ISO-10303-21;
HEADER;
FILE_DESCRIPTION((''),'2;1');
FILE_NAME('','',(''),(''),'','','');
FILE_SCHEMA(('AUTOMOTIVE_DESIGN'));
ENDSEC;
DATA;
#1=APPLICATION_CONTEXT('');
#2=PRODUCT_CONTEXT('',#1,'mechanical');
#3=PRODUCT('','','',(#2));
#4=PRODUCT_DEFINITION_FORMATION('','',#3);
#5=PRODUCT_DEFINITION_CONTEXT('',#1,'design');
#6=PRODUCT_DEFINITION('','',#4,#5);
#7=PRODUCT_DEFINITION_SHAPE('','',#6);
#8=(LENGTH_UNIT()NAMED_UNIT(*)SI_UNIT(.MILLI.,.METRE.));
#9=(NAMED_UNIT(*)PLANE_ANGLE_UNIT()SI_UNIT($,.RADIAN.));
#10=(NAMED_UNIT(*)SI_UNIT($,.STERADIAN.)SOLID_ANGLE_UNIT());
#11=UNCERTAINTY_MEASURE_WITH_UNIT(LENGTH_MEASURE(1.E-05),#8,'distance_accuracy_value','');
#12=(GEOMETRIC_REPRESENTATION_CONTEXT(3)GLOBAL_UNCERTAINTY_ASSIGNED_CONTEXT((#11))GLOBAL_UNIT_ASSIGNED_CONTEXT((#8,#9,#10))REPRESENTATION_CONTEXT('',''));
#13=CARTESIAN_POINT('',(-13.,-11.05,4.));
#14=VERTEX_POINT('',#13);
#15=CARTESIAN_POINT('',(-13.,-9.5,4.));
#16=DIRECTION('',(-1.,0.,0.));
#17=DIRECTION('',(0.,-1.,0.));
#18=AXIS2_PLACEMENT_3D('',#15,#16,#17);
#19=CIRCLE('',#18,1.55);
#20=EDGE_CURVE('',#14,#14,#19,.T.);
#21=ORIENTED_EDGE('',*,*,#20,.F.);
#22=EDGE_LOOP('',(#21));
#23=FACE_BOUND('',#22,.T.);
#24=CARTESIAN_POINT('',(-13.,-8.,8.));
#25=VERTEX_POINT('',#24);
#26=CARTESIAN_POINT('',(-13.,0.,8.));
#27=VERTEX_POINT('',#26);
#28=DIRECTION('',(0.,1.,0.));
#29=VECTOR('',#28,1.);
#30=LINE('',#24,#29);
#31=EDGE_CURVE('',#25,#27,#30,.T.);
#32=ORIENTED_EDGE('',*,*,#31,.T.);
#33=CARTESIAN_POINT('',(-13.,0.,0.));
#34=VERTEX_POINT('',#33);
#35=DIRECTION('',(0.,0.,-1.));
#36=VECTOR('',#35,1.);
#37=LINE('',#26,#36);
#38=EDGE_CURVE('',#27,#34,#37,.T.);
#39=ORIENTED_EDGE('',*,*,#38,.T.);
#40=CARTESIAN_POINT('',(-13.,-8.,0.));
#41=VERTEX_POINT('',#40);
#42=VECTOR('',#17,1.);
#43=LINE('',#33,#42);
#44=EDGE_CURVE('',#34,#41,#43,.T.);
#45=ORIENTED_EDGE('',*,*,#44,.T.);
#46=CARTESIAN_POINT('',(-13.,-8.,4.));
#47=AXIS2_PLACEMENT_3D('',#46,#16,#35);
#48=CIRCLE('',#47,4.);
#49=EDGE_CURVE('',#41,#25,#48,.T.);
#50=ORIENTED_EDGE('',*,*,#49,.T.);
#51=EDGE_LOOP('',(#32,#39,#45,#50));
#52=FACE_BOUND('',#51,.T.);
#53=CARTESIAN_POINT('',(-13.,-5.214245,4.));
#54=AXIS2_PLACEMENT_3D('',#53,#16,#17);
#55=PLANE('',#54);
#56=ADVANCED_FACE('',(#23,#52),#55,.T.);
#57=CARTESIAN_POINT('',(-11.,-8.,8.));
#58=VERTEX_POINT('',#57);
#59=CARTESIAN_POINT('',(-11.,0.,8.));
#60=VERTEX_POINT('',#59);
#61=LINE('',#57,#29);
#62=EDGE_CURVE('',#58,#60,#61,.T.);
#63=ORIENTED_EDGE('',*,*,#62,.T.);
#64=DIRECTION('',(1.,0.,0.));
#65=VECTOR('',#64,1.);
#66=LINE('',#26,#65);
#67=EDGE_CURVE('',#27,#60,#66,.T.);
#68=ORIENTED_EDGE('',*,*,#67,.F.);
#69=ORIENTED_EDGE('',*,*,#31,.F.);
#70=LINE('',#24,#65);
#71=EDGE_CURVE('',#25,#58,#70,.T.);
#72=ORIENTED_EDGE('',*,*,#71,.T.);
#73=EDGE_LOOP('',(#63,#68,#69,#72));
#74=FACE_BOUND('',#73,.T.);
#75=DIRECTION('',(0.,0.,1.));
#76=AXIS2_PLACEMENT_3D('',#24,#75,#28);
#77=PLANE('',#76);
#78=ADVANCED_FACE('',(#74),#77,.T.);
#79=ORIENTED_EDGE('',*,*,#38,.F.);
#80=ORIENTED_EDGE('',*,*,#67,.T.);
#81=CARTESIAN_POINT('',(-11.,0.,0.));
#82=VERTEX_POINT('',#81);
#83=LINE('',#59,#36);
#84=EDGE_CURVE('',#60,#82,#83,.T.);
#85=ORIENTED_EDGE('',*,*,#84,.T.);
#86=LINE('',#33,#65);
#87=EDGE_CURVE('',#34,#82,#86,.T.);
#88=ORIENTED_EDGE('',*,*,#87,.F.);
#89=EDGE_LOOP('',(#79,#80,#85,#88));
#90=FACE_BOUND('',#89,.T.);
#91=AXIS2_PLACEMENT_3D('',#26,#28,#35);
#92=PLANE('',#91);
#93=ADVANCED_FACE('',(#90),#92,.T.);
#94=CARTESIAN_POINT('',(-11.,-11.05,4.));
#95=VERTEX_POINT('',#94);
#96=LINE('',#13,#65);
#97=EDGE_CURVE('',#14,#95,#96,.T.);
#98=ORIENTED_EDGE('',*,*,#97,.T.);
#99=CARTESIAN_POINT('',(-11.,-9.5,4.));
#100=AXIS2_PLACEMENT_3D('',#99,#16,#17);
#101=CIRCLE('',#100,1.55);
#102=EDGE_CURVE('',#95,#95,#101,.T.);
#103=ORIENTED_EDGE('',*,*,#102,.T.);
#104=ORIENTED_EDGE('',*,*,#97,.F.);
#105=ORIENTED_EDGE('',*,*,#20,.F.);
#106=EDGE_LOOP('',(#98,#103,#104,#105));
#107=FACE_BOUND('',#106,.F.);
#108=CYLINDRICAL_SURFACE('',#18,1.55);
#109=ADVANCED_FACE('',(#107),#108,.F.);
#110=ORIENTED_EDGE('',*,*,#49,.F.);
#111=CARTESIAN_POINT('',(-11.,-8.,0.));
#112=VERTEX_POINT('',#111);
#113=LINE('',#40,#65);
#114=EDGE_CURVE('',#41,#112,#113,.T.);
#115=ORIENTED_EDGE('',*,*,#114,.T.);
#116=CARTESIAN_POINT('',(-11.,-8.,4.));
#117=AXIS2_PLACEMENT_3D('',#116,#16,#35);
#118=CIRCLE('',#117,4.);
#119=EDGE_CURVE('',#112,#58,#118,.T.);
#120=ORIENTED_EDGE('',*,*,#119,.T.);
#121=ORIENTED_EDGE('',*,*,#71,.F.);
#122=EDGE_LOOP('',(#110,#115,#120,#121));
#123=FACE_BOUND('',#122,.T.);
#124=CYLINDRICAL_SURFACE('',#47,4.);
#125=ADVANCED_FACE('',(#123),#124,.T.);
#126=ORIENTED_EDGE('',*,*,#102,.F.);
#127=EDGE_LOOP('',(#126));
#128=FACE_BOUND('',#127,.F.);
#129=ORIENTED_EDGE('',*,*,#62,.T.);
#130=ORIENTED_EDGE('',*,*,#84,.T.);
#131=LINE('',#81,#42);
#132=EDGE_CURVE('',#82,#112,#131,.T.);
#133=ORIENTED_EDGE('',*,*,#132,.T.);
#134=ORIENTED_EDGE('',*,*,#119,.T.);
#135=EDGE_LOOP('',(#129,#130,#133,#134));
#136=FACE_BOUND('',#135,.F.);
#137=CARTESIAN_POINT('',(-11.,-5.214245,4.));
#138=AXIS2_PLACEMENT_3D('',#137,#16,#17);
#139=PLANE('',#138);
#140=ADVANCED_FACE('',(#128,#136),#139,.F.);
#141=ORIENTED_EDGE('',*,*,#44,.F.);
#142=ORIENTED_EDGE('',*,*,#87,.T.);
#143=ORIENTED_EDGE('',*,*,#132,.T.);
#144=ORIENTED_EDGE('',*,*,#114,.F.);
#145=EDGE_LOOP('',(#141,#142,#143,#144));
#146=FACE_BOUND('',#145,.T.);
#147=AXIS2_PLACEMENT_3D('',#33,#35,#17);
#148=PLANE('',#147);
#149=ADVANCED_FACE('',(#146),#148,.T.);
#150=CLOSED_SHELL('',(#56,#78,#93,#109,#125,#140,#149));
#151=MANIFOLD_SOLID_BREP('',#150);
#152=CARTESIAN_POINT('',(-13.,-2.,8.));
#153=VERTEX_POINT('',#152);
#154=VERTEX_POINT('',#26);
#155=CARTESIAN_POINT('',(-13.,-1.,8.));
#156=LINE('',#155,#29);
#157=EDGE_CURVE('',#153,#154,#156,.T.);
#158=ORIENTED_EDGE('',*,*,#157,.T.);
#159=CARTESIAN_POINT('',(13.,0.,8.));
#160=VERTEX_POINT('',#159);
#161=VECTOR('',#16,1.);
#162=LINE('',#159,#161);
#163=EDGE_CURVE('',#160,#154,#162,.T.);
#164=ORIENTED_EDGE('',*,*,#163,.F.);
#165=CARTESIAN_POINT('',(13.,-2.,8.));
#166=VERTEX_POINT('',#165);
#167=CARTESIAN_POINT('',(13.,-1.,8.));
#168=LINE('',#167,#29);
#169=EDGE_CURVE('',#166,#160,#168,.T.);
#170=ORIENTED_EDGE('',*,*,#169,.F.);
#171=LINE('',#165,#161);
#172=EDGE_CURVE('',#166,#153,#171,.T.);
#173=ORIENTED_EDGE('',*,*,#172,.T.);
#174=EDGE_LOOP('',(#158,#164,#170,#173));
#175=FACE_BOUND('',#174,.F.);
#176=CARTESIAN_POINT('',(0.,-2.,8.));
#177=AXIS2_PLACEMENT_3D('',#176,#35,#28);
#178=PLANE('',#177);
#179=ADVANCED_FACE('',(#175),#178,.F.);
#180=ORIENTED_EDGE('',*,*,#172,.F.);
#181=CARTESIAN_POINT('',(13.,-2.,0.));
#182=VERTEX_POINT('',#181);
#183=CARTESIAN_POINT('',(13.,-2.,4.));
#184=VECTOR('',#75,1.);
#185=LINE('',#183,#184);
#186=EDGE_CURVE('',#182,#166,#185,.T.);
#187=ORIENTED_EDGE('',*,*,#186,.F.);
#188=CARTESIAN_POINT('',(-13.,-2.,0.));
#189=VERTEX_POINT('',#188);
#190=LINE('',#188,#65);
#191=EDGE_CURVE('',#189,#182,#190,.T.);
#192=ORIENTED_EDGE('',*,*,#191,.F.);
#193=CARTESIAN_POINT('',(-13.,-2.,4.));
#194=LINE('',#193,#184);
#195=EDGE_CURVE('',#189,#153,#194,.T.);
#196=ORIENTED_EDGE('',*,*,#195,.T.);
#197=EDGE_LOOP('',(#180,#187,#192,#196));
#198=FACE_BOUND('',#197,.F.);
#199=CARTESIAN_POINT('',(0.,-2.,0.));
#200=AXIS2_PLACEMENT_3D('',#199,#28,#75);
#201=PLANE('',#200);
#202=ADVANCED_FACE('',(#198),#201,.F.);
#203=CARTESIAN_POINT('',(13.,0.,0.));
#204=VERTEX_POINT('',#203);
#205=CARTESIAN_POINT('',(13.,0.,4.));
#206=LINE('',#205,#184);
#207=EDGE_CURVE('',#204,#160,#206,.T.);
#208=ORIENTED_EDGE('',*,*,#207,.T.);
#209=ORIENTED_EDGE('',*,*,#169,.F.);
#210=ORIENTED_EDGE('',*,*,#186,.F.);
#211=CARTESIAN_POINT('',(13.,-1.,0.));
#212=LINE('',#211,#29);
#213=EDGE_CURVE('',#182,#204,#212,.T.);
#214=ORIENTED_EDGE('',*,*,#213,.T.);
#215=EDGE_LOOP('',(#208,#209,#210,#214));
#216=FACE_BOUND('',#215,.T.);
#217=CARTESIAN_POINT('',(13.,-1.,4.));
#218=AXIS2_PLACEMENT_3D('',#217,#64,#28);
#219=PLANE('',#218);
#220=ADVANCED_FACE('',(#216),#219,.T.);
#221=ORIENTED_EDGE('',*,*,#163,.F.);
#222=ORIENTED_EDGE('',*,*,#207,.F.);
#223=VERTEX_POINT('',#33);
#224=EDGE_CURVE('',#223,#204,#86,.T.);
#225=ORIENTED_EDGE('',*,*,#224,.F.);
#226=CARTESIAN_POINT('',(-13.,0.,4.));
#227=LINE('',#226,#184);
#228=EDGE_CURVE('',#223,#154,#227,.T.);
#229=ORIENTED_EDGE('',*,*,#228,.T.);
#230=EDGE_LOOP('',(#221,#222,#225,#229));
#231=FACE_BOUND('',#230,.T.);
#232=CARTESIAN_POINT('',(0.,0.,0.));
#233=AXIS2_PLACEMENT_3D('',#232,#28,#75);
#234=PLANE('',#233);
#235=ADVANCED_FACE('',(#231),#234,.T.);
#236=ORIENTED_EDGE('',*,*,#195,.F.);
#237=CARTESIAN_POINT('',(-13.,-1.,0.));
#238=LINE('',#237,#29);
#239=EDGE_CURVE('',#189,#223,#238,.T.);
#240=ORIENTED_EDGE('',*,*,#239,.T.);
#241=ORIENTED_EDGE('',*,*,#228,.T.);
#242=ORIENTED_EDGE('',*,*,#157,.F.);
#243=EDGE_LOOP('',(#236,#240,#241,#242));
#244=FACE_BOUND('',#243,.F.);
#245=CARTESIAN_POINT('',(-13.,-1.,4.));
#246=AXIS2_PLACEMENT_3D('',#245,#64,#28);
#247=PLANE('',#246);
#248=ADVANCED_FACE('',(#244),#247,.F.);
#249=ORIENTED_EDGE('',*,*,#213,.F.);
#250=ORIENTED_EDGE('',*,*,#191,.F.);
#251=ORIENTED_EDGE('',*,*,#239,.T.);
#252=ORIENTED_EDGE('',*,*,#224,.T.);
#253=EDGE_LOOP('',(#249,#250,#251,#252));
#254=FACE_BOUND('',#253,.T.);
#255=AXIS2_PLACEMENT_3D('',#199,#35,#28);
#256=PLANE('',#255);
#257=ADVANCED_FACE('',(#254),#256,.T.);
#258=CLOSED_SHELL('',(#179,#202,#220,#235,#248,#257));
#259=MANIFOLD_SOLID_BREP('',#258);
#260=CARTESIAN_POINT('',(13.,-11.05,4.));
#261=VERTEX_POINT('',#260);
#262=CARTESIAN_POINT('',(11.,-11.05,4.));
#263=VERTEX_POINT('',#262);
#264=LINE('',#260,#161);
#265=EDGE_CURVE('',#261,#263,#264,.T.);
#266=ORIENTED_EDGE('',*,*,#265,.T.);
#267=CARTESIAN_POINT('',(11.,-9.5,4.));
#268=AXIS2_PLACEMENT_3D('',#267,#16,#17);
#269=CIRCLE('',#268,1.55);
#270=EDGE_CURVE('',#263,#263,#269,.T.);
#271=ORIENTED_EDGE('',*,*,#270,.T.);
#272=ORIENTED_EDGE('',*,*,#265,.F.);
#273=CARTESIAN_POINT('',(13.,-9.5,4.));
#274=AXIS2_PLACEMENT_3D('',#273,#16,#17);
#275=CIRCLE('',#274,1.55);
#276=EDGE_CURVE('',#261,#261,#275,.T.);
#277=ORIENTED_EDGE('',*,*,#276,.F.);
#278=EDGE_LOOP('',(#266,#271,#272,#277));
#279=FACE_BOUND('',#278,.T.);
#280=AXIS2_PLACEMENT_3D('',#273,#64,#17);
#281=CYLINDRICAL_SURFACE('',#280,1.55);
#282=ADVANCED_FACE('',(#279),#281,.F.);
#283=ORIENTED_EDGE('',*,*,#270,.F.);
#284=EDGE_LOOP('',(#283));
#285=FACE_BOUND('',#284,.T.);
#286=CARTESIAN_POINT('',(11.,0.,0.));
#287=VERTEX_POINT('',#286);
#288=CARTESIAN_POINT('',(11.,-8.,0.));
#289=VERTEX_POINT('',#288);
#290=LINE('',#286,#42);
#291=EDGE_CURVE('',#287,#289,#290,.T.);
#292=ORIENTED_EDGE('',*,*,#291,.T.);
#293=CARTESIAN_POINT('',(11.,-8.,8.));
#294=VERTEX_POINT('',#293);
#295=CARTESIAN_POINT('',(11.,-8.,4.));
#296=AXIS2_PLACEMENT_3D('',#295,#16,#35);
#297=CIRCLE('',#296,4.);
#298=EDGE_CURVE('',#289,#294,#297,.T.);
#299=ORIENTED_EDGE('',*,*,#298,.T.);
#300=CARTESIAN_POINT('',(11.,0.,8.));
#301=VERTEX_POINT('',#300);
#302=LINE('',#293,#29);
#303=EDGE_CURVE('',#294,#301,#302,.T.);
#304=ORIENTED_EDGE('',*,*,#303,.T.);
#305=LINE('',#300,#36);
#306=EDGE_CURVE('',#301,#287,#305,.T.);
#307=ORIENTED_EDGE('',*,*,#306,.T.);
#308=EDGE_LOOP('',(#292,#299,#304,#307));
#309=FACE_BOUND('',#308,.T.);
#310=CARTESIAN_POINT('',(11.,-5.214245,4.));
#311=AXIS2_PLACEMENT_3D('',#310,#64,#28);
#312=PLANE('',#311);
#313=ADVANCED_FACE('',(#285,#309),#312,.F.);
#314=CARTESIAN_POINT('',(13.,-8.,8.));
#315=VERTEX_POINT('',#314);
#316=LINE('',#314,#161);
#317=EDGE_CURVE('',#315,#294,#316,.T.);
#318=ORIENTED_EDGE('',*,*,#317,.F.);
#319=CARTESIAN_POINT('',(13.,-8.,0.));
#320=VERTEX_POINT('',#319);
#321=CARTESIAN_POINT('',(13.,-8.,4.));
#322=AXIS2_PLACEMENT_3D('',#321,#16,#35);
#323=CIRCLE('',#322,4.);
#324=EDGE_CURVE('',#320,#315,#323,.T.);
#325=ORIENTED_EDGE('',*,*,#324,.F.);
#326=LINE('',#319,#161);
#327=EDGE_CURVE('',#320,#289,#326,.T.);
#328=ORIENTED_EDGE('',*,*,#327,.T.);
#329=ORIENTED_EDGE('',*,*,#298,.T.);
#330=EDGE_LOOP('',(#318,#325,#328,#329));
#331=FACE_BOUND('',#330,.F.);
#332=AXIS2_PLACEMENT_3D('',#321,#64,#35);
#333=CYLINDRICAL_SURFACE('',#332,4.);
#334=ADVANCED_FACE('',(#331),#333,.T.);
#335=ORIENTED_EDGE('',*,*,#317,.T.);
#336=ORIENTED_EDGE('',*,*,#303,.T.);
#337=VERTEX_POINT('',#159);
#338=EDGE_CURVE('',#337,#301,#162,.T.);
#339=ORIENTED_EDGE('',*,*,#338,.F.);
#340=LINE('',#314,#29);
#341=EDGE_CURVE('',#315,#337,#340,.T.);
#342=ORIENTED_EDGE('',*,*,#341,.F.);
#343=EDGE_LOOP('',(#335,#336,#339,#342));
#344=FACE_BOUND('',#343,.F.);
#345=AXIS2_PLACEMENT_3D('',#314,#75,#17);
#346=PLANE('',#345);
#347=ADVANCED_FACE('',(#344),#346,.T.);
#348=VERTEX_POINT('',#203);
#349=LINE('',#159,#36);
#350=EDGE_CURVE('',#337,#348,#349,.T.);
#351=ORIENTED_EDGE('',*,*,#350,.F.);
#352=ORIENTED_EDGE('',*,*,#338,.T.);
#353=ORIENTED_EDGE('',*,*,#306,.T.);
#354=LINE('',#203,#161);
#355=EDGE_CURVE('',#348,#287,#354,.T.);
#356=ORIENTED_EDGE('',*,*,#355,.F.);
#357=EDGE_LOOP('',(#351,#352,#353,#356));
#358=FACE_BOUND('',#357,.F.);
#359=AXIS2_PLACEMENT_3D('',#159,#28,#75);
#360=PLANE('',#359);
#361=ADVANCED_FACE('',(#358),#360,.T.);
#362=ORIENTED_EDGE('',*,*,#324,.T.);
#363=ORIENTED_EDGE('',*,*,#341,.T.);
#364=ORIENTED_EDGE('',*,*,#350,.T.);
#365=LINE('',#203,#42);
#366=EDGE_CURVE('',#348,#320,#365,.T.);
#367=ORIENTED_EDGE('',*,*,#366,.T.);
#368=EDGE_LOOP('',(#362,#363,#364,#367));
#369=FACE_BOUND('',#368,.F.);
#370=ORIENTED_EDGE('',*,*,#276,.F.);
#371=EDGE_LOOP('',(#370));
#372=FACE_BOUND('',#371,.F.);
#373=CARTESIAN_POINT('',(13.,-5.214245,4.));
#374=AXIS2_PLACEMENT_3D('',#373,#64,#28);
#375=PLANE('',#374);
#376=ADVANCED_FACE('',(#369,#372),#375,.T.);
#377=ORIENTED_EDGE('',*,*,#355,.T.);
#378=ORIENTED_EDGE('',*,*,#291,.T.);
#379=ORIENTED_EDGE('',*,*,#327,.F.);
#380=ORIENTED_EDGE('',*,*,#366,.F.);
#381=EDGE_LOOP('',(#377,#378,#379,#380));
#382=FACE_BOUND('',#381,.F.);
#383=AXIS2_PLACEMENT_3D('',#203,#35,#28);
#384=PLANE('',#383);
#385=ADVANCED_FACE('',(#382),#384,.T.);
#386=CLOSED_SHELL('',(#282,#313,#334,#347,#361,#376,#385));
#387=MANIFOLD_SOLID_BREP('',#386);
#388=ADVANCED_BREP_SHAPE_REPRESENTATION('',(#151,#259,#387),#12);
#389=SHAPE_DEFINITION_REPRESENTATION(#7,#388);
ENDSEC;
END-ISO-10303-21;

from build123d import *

# Parameters (mm, degrees)
F0_W     = 2
F0_H     = 8
F1_DEPTH = 13
F2_R     = 1.55
F3_DEPTH = 2


with BuildPart() as f1:
    # F0 (on Right) → F1 (new body, symmetric)
    with BuildSketch(Plane.YZ):
        with Locations((-1, 4)):
            Rectangle(F0_W, F0_H)
    extrude(amount=F1_DEPTH, both=True)


with BuildPart() as f3:
    # F2 (on face) → F3 (new body)
    with BuildSketch(Plane(origin=(-13, 0, 0), x_dir=(0, -1, 0), z_dir=(-1, 0, 0))):
        with BuildLine():
            Line((8, 8), (0, 8))
            Line((0, 8), (0, 0))
            Line((0, 0), (8, 0))
            ThreePointArc((8, 0), (12, 4), (8, 8))
        make_face()
        with Locations((9.5, 4)):
            Circle(F2_R, mode=Mode.SUBTRACT)
    extrude(amount=-F3_DEPTH)


with BuildPart() as f4_1:
    # F4: instance of F3
    add(f3.part.mirror(Plane.YZ))


solid = Compound([f1.part, f3.part, f4_1.part])
